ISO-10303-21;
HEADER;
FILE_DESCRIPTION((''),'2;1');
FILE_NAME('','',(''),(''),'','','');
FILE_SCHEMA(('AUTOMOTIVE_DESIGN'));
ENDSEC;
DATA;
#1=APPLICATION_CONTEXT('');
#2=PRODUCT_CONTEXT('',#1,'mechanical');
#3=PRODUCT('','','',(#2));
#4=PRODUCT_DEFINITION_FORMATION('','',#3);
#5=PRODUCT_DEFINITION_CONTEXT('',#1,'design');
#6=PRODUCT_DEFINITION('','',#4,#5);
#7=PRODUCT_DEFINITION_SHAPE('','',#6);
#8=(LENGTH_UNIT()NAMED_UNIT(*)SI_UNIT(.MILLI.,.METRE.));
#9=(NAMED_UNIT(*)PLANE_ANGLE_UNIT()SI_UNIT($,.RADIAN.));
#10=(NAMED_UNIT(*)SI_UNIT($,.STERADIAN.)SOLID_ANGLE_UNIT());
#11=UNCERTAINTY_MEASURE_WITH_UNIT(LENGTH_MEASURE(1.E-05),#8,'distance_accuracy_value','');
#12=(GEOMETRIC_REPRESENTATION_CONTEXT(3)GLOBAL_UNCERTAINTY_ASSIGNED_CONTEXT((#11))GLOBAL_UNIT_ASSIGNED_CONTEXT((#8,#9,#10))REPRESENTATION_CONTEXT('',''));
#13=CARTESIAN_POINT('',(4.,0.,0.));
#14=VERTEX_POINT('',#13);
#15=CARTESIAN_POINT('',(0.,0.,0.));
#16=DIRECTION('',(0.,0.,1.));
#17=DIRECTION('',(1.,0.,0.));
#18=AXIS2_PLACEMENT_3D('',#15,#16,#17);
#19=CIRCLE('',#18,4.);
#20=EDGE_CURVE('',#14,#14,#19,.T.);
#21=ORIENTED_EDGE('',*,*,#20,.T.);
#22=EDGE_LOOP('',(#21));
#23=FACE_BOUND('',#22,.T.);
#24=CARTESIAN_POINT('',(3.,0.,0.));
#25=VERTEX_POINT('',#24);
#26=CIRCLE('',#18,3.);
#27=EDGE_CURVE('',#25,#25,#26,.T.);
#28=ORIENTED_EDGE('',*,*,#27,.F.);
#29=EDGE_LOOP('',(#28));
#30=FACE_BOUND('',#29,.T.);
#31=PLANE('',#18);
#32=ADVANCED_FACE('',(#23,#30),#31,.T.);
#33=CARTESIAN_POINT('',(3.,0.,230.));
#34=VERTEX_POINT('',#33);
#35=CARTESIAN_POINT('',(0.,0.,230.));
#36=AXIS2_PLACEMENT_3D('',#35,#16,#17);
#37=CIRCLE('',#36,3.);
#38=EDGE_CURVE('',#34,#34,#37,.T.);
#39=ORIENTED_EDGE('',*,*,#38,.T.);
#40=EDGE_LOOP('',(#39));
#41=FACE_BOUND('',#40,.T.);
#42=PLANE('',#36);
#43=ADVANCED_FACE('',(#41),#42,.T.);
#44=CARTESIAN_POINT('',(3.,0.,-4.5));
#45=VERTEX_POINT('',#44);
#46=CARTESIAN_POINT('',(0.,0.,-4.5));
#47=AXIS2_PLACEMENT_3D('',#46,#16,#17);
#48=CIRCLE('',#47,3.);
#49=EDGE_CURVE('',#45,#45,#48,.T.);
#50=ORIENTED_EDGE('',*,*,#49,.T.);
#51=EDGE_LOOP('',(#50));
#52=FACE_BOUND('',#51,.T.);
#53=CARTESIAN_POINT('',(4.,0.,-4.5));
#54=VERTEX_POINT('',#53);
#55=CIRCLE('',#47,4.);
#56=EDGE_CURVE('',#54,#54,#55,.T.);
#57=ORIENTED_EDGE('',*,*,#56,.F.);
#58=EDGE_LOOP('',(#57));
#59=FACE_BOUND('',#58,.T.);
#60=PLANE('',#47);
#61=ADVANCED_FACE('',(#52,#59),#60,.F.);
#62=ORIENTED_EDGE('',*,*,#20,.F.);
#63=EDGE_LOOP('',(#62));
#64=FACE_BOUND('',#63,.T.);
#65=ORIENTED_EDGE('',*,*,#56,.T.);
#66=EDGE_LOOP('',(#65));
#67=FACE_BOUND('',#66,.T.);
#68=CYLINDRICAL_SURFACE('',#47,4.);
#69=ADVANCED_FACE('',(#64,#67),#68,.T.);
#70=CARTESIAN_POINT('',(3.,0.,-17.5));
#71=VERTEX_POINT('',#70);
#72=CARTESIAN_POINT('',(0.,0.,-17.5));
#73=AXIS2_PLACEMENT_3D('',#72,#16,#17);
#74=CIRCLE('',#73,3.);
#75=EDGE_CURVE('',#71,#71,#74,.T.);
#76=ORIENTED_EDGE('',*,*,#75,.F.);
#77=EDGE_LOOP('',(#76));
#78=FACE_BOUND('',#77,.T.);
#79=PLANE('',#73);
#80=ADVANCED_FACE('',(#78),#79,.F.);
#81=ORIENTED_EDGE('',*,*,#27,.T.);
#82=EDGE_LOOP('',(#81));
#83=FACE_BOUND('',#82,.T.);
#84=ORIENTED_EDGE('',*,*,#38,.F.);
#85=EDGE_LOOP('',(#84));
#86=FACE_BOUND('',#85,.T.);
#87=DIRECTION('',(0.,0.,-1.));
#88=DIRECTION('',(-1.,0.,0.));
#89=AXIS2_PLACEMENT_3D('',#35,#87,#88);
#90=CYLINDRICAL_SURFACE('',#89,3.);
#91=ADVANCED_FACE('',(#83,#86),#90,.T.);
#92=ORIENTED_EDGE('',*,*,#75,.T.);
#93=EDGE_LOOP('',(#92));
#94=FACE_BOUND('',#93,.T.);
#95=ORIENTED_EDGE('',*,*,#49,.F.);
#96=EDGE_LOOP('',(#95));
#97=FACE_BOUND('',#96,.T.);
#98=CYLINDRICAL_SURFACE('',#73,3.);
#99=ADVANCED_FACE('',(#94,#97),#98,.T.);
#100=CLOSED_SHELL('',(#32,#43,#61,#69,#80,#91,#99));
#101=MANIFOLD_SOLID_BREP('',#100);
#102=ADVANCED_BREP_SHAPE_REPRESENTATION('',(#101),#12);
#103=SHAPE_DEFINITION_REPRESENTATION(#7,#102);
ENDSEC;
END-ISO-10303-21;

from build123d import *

# Parameters (mm, degrees)
SKETCH1_R           = 3
BOSS_EXTRUDE1_DEPTH = 230
SKETCH2_R           = 4
BOSS_EXTRUDE2_DEPTH = 4.5
BOSS_EXTRUDE3_START = -17.5
SKETCH3_R           = 3
BOSS_EXTRUDE3_DEPTH = 17.5


with BuildPart() as part:
    # Sketch1 → Boss-Extrude1 (new body)
    with BuildSketch(Plane.XY):
        Circle(SKETCH1_R)
    extrude(amount=BOSS_EXTRUDE1_DEPTH)

    # Sketch2 → Boss-Extrude2 (add)
    with BuildSketch(Plane.XY):
        Circle(SKETCH2_R)
    extrude(amount=-BOSS_EXTRUDE2_DEPTH)

    # Sketch3 → Boss-Extrude3 (add)
    with BuildSketch(Plane.XY.offset(BOSS_EXTRUDE3_START)):
        Circle(SKETCH3_R)
    extrude(amount=BOSS_EXTRUDE3_DEPTH)


solid = part.part
